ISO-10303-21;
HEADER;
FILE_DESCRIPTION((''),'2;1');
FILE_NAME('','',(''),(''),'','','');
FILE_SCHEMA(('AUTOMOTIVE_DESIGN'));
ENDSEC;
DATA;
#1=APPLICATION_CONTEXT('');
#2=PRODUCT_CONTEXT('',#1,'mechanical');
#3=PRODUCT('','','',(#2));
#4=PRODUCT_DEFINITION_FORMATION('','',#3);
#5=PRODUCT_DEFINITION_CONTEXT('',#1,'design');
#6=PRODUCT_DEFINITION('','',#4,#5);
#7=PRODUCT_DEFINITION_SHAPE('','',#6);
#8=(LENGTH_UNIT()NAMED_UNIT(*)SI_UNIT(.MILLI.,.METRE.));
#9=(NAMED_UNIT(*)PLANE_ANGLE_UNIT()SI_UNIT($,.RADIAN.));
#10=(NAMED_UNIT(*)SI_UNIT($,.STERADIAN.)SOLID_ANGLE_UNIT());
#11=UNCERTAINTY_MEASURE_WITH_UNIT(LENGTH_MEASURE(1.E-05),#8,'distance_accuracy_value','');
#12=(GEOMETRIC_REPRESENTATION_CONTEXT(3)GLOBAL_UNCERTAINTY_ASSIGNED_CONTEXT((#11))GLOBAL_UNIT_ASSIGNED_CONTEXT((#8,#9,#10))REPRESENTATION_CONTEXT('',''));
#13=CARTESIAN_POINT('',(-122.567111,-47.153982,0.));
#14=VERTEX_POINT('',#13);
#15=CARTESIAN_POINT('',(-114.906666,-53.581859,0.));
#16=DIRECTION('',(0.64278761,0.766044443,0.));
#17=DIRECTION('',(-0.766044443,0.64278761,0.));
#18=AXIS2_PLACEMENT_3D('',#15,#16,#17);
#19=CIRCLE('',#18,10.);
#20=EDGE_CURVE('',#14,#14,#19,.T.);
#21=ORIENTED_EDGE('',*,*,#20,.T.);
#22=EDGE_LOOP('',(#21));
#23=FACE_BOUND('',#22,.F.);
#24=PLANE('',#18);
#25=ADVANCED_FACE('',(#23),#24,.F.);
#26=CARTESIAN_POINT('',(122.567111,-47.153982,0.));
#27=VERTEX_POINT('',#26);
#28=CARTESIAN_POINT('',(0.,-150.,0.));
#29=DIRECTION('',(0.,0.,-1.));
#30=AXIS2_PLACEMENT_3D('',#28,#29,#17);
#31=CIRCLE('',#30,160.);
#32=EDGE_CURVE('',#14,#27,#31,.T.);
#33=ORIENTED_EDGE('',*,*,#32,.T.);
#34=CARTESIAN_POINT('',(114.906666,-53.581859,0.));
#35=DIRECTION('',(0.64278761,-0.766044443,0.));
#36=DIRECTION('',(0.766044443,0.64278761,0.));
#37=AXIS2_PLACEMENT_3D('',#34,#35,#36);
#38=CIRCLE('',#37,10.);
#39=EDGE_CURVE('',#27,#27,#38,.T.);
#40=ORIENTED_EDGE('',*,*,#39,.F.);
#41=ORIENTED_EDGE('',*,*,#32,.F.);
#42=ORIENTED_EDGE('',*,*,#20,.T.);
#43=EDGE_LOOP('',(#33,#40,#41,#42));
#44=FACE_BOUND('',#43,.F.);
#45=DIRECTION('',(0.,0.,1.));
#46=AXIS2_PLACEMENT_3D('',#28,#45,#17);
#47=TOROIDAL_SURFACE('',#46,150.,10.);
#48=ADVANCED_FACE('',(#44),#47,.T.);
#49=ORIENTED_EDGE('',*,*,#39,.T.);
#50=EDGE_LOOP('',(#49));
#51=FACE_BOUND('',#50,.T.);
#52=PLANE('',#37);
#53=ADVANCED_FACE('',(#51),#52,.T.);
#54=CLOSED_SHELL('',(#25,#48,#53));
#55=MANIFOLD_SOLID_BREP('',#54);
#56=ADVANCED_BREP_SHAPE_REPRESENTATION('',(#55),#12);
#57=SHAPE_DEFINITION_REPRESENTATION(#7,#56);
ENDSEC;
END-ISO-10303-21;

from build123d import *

# Parameters (mm, degrees)
F0_R          = 10
F1_ANGLE_BACK = 50
F1_ANGLE      = 100


with BuildPart() as f1:
    # F0 (on Right) → F1 (revolve)
    with BuildSketch(Plane.YZ, mode=Mode.PRIVATE) as f1_sk:
        Circle(F0_R)
    revolve(f1_sk.sketch.rotate(Axis((0, -150, 0.6350800395), (0, 0, -1)), -F1_ANGLE_BACK), axis=Axis((0, -150, 0.6350800395), (0, 0, -1)), revolution_arc=F1_ANGLE)


solid = f1.part
